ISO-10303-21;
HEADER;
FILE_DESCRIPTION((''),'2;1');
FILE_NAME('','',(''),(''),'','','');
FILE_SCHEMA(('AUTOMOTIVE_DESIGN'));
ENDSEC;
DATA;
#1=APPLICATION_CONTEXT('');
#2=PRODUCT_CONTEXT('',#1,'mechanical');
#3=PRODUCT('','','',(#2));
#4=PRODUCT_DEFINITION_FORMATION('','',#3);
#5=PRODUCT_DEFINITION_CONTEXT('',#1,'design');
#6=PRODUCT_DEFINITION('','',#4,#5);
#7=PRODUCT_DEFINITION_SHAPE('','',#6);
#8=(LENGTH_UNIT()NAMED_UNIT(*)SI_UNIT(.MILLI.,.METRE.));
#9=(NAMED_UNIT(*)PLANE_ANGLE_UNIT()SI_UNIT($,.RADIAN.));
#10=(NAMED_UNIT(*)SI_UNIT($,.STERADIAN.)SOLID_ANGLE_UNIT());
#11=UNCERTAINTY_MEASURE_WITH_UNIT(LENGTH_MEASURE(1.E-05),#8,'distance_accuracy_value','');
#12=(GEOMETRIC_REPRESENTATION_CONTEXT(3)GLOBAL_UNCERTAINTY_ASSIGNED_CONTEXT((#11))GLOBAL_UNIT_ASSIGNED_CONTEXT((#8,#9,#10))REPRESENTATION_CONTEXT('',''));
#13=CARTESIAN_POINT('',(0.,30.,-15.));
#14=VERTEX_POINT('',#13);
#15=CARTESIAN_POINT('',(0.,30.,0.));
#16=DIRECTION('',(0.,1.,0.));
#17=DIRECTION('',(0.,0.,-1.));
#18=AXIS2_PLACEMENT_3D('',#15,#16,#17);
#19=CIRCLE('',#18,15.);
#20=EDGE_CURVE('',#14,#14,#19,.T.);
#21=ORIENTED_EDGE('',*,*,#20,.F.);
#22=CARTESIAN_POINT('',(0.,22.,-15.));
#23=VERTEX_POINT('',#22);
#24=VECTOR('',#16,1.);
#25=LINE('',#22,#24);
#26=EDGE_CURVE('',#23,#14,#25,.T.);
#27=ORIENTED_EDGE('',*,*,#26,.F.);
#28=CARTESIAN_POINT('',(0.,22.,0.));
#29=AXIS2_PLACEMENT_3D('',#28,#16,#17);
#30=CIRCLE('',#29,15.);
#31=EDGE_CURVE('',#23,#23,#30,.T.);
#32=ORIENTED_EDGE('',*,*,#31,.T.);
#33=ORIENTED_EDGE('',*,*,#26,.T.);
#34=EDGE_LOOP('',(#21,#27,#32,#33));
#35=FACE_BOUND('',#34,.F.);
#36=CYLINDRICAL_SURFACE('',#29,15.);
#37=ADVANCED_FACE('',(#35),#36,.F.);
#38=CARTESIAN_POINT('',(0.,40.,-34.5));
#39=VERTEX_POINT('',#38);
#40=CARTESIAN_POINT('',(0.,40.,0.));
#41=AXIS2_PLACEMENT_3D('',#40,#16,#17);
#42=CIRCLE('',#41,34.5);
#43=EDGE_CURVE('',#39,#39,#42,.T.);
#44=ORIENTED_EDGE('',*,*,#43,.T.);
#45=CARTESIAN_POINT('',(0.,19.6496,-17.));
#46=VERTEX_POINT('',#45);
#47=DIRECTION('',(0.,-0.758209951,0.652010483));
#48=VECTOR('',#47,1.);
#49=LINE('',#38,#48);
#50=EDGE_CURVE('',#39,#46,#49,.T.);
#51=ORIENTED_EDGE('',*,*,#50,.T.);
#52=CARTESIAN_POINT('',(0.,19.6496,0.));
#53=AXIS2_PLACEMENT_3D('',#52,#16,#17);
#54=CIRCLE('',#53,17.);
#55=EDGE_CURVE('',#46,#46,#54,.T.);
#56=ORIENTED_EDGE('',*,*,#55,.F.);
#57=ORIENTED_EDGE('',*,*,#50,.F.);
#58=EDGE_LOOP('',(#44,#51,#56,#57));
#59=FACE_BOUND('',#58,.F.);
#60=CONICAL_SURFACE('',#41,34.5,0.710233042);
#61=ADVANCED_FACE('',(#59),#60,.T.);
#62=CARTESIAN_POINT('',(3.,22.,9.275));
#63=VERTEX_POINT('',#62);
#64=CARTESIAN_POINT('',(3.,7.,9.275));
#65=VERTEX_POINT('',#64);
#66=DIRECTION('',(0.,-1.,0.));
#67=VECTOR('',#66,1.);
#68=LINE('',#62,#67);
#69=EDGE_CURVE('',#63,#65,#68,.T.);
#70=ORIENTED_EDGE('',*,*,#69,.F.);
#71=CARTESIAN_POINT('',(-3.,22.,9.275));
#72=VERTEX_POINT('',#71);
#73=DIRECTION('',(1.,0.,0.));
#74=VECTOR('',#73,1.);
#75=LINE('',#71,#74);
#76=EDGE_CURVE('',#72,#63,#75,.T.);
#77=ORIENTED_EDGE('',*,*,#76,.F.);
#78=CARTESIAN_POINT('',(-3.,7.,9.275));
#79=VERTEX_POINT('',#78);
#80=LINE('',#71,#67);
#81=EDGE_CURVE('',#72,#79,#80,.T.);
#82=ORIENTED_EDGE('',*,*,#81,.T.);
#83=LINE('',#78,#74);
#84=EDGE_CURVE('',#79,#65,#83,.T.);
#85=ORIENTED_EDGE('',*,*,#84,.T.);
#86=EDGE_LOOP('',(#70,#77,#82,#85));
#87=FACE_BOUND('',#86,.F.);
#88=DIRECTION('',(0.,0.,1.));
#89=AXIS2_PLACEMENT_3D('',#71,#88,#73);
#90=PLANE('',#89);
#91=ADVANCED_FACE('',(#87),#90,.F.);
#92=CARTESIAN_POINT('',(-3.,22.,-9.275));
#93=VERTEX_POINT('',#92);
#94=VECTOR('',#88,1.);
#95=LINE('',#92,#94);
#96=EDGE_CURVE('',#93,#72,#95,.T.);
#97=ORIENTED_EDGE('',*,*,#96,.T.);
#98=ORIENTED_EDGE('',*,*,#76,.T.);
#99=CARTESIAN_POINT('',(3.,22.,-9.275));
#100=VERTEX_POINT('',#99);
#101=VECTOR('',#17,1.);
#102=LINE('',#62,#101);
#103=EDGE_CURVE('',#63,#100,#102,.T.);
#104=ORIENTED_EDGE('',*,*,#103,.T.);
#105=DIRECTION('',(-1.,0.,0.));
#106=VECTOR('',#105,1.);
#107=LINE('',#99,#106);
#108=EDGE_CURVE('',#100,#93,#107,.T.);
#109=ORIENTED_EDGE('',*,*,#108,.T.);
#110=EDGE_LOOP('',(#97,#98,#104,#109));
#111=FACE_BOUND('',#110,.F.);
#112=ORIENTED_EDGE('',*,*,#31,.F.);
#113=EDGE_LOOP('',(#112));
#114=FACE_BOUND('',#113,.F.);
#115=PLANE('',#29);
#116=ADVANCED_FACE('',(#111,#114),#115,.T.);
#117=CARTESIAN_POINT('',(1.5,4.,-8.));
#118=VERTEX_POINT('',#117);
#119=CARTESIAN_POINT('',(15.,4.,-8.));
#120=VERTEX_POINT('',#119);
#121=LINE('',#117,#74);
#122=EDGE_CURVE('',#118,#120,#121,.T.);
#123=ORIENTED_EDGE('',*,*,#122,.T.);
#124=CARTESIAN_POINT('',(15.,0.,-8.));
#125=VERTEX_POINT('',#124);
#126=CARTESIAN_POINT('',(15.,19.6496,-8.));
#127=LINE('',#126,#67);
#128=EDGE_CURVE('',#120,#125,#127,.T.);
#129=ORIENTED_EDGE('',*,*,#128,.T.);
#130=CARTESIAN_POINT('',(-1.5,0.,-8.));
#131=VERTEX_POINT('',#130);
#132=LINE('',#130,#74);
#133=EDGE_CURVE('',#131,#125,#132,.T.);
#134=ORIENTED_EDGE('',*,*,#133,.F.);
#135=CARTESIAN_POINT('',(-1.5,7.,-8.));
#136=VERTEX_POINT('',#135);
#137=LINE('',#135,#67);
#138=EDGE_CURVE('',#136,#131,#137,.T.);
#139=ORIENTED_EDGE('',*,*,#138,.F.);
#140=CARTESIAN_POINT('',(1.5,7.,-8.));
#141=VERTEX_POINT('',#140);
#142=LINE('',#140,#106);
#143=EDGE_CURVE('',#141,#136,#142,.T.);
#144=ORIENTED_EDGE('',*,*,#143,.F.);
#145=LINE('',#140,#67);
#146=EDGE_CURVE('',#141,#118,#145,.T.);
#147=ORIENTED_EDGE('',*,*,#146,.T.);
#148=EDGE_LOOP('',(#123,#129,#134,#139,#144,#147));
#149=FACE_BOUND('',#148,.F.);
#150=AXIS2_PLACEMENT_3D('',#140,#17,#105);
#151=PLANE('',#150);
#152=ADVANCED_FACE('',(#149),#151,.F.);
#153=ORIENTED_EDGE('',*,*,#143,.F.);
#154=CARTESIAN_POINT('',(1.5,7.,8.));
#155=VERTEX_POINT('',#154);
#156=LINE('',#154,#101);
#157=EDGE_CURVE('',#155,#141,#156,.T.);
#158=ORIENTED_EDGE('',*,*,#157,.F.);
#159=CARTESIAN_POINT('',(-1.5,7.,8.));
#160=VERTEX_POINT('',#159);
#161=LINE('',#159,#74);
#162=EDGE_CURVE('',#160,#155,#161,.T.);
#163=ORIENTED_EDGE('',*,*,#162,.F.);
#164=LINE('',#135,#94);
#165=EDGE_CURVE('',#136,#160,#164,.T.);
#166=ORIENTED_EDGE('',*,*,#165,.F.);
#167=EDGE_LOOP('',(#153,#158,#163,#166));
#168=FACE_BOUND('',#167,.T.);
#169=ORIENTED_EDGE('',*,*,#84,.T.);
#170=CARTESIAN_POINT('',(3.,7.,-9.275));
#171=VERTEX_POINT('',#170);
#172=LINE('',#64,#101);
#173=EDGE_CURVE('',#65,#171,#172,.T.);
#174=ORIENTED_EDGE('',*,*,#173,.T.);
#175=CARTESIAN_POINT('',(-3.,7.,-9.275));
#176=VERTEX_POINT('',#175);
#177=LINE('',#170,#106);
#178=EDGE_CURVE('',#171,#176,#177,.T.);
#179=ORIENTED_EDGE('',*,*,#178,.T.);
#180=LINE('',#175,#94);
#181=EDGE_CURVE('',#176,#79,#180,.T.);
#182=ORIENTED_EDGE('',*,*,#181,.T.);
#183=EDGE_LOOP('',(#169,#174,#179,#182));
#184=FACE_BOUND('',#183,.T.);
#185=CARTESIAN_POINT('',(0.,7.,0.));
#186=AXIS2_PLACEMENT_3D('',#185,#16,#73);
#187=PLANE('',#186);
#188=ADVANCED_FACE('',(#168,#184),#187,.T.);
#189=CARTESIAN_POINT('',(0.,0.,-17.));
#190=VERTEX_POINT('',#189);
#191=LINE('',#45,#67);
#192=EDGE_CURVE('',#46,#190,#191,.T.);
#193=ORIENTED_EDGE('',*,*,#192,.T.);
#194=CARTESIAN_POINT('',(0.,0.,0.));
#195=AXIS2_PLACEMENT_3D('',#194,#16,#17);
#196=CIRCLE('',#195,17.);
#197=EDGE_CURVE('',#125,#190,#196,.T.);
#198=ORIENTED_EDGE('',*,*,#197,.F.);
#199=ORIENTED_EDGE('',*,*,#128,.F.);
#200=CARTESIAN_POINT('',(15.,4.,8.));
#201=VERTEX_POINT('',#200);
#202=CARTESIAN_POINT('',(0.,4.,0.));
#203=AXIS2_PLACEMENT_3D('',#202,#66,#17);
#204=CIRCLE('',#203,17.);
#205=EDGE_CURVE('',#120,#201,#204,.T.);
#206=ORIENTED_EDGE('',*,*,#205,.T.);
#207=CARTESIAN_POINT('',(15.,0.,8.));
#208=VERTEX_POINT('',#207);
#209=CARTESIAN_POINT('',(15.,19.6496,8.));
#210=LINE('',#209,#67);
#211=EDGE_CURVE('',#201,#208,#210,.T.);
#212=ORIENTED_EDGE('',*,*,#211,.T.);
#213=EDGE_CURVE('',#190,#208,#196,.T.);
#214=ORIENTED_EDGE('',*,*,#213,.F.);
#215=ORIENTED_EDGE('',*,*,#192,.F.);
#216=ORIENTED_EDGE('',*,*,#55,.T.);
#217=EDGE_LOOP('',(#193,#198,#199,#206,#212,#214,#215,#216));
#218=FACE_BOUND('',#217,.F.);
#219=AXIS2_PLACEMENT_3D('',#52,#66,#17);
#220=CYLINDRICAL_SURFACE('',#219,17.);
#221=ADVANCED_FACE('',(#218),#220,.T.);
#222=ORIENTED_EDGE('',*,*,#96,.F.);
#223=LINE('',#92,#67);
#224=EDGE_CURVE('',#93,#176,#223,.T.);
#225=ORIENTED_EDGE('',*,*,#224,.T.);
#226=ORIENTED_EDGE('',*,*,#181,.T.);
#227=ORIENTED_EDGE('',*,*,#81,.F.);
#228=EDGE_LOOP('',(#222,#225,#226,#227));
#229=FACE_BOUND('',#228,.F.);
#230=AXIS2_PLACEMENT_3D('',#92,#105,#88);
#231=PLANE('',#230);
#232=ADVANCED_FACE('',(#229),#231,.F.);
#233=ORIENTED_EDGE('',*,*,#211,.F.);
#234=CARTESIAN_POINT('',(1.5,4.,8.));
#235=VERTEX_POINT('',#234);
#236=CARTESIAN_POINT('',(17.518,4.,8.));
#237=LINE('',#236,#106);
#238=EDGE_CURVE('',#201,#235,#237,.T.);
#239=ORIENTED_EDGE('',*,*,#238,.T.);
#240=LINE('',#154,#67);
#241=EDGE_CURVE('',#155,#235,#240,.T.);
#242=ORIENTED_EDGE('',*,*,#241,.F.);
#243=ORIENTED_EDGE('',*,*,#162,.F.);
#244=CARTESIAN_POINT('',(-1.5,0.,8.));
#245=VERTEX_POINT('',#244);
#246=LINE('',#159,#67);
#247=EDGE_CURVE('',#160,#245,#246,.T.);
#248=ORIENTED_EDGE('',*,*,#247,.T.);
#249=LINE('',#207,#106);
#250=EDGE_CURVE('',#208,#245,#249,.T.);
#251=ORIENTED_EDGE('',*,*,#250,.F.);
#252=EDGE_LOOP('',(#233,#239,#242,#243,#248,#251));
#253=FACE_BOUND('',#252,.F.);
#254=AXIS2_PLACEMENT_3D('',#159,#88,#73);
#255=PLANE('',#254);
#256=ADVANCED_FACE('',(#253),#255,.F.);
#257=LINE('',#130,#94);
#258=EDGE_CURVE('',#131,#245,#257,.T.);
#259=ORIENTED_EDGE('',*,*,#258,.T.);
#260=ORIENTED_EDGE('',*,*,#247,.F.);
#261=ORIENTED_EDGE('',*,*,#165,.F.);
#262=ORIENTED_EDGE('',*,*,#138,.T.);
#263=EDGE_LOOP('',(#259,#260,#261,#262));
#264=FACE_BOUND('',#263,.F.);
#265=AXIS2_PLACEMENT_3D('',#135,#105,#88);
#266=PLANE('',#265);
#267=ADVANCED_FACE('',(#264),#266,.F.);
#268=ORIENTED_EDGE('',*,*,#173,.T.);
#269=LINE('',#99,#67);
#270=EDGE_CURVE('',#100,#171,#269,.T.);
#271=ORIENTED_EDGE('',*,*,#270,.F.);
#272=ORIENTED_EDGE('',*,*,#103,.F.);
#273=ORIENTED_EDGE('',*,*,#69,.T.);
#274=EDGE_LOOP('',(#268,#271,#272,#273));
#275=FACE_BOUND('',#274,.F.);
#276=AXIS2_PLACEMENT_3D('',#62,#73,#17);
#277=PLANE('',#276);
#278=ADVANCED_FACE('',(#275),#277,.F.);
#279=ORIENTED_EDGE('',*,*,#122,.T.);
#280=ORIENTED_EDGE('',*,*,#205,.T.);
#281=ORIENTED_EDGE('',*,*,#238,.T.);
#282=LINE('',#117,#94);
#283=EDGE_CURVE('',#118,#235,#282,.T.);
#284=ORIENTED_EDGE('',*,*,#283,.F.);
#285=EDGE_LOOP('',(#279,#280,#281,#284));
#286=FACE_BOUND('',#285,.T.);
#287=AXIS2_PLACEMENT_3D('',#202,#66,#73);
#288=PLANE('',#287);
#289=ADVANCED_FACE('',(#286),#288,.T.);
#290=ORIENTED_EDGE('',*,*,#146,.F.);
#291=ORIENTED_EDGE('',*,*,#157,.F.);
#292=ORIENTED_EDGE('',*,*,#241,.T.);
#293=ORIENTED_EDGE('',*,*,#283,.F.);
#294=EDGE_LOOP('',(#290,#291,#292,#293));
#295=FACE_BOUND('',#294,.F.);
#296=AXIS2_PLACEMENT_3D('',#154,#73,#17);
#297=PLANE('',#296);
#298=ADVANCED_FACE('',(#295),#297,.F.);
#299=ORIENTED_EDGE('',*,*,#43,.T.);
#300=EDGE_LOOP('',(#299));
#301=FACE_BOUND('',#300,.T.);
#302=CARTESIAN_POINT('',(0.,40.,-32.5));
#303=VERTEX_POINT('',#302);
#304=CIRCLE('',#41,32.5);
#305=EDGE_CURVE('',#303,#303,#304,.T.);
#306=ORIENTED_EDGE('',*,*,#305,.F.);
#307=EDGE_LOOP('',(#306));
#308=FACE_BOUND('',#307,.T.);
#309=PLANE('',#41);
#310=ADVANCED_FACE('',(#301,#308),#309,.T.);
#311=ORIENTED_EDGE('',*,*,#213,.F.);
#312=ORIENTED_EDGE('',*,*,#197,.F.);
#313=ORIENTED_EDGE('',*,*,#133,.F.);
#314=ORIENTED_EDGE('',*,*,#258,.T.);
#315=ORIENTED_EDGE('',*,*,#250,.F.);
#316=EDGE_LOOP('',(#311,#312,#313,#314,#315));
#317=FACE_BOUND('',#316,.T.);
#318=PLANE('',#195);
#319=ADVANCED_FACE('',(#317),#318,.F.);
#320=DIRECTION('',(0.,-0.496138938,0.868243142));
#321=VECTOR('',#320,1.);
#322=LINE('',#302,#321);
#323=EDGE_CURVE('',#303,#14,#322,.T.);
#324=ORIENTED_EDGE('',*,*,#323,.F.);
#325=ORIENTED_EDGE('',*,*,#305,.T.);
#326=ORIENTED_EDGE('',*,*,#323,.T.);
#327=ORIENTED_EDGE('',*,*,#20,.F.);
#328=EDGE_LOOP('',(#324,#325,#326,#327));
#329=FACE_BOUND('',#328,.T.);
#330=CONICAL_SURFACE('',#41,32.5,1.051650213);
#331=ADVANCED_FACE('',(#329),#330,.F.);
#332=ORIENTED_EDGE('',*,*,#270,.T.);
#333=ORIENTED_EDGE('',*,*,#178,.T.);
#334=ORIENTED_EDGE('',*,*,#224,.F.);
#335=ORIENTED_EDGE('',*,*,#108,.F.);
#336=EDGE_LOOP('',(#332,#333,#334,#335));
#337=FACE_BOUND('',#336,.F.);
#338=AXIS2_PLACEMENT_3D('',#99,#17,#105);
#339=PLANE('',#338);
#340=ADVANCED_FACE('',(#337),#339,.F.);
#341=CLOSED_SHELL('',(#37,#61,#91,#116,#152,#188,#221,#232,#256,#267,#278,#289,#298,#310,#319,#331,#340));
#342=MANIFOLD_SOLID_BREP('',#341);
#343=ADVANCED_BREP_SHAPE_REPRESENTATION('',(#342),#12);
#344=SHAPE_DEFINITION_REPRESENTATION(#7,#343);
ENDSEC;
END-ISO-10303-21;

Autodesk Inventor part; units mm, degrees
ref_plane "YZ Plane" through (0, 0, 0) normal (1, 0, 0) x (0, 1, 0)
ref_plane "XZ Plane" through (0, 0, 0) normal (0, 1, 0) x (-1, 0, 0)
ref_plane "XY Plane" through (0, 0, 0) normal (0, 0, 1) x (1, 0, 0)
sketch "Sketch2" plane through (0, 0, 0) normal (1, 0, 0) x (0, 1, 0)
  line L0 (0, 0) -> (0, -17)
  line L1 (0, 0) -> (22, 0)
  line L2 (22, 0) -> (22, -15)
  line L3 (22, 0) -> (30, 0) construction
  line L4 (30, 0) -> (30, -17) construction
  line L5 (22, -17) -> (22, -15) construction
  line L6 (30, 0) -> (40, 0)
  line L7 (40, 0) -> (40, -34.5) construction
  line L8 (40, -34.5) -> (40, -32.5)
  line L9 (40, -32.5) -> (30, -15)
  line L10 (22, -15) -> (30, -15)
  line L11 (22, -15) -> (22, 0) construction
  line L12 (40, -34.5) -> (19.6496, -17)
  line L13 (19.6496, -17) -> (0, -17)
  dimension "d0" = 17
  dimension "d1" = 22
  dimension "d3" = 8
  dimension "d4" = 10
  dimension "d5" = 34.5
  dimension "d6" = 2
revolve "Revolution1" add sketch "Sketch2" angle 360 about axis through (0, 22, 0) along (0, 1, 0)
sketch "Sketch3" plane through (0, 22, 0) normal (0, 1, 0) x (1, 0, 0)
  line L0 (-3, -9.275) -> (3, -9.275)
  line L1 (3, -9.275) -> (3, 9.275)
  line L2 (3, 9.275) -> (-3, 9.275)
  line L3 (-3, 9.275) -> (-3, -9.275)
  line L4 (-3, -9.275) -> (3, 9.275) construction
  line L5 (3, -9.275) -> (-3, 9.275) construction
  point P0 (0, 0)
  dimension "d8" = 6
  dimension "d9" = 18.55
extrude "Extrusion1" cut sketch "Sketch3" against normal blind 15
sketch "Sketch4" plane through (0, 7, 0) normal (0, 1, 0) x (1, 0, 0)
  line L0 (-1.5, -8) -> (1.5, -8)
  line L1 (1.5, -8) -> (1.5, 8)
  line L2 (1.5, 8) -> (-1.5, 8)
  line L3 (-1.5, 8) -> (-1.5, -8)
  line L4 (-1.5, -8) -> (1.5, 8) construction
  line L5 (1.5, -8) -> (-1.5, 8) construction
  point P0 (0, 0)
  dimension "d12" = 3
  dimension "d13" = 16
extrude "Extrusion2" cut sketch "Sketch4" against normal blind 7
sketch "Sketch5" plane through (0, 0, 0) normal (0, -1, 0) x (1, 0, 0)
  line L0 (1.5, -8) -> (1.5, 8) projected
  line L1 (1.5, -8) -> (17.518, -8)
  line L2 (17.518, -8) -> (17.518, 8)
  line L3 (17.518, 8) -> (1.5, 8)
  line L4 (1.5, 8) -> (1.5, -8)
  point P0 (0, 0)
extrude "Extrusion3" cut sketch "Sketch5" against normal blind 4
properties part number "fitted nu funnel easy angle"
